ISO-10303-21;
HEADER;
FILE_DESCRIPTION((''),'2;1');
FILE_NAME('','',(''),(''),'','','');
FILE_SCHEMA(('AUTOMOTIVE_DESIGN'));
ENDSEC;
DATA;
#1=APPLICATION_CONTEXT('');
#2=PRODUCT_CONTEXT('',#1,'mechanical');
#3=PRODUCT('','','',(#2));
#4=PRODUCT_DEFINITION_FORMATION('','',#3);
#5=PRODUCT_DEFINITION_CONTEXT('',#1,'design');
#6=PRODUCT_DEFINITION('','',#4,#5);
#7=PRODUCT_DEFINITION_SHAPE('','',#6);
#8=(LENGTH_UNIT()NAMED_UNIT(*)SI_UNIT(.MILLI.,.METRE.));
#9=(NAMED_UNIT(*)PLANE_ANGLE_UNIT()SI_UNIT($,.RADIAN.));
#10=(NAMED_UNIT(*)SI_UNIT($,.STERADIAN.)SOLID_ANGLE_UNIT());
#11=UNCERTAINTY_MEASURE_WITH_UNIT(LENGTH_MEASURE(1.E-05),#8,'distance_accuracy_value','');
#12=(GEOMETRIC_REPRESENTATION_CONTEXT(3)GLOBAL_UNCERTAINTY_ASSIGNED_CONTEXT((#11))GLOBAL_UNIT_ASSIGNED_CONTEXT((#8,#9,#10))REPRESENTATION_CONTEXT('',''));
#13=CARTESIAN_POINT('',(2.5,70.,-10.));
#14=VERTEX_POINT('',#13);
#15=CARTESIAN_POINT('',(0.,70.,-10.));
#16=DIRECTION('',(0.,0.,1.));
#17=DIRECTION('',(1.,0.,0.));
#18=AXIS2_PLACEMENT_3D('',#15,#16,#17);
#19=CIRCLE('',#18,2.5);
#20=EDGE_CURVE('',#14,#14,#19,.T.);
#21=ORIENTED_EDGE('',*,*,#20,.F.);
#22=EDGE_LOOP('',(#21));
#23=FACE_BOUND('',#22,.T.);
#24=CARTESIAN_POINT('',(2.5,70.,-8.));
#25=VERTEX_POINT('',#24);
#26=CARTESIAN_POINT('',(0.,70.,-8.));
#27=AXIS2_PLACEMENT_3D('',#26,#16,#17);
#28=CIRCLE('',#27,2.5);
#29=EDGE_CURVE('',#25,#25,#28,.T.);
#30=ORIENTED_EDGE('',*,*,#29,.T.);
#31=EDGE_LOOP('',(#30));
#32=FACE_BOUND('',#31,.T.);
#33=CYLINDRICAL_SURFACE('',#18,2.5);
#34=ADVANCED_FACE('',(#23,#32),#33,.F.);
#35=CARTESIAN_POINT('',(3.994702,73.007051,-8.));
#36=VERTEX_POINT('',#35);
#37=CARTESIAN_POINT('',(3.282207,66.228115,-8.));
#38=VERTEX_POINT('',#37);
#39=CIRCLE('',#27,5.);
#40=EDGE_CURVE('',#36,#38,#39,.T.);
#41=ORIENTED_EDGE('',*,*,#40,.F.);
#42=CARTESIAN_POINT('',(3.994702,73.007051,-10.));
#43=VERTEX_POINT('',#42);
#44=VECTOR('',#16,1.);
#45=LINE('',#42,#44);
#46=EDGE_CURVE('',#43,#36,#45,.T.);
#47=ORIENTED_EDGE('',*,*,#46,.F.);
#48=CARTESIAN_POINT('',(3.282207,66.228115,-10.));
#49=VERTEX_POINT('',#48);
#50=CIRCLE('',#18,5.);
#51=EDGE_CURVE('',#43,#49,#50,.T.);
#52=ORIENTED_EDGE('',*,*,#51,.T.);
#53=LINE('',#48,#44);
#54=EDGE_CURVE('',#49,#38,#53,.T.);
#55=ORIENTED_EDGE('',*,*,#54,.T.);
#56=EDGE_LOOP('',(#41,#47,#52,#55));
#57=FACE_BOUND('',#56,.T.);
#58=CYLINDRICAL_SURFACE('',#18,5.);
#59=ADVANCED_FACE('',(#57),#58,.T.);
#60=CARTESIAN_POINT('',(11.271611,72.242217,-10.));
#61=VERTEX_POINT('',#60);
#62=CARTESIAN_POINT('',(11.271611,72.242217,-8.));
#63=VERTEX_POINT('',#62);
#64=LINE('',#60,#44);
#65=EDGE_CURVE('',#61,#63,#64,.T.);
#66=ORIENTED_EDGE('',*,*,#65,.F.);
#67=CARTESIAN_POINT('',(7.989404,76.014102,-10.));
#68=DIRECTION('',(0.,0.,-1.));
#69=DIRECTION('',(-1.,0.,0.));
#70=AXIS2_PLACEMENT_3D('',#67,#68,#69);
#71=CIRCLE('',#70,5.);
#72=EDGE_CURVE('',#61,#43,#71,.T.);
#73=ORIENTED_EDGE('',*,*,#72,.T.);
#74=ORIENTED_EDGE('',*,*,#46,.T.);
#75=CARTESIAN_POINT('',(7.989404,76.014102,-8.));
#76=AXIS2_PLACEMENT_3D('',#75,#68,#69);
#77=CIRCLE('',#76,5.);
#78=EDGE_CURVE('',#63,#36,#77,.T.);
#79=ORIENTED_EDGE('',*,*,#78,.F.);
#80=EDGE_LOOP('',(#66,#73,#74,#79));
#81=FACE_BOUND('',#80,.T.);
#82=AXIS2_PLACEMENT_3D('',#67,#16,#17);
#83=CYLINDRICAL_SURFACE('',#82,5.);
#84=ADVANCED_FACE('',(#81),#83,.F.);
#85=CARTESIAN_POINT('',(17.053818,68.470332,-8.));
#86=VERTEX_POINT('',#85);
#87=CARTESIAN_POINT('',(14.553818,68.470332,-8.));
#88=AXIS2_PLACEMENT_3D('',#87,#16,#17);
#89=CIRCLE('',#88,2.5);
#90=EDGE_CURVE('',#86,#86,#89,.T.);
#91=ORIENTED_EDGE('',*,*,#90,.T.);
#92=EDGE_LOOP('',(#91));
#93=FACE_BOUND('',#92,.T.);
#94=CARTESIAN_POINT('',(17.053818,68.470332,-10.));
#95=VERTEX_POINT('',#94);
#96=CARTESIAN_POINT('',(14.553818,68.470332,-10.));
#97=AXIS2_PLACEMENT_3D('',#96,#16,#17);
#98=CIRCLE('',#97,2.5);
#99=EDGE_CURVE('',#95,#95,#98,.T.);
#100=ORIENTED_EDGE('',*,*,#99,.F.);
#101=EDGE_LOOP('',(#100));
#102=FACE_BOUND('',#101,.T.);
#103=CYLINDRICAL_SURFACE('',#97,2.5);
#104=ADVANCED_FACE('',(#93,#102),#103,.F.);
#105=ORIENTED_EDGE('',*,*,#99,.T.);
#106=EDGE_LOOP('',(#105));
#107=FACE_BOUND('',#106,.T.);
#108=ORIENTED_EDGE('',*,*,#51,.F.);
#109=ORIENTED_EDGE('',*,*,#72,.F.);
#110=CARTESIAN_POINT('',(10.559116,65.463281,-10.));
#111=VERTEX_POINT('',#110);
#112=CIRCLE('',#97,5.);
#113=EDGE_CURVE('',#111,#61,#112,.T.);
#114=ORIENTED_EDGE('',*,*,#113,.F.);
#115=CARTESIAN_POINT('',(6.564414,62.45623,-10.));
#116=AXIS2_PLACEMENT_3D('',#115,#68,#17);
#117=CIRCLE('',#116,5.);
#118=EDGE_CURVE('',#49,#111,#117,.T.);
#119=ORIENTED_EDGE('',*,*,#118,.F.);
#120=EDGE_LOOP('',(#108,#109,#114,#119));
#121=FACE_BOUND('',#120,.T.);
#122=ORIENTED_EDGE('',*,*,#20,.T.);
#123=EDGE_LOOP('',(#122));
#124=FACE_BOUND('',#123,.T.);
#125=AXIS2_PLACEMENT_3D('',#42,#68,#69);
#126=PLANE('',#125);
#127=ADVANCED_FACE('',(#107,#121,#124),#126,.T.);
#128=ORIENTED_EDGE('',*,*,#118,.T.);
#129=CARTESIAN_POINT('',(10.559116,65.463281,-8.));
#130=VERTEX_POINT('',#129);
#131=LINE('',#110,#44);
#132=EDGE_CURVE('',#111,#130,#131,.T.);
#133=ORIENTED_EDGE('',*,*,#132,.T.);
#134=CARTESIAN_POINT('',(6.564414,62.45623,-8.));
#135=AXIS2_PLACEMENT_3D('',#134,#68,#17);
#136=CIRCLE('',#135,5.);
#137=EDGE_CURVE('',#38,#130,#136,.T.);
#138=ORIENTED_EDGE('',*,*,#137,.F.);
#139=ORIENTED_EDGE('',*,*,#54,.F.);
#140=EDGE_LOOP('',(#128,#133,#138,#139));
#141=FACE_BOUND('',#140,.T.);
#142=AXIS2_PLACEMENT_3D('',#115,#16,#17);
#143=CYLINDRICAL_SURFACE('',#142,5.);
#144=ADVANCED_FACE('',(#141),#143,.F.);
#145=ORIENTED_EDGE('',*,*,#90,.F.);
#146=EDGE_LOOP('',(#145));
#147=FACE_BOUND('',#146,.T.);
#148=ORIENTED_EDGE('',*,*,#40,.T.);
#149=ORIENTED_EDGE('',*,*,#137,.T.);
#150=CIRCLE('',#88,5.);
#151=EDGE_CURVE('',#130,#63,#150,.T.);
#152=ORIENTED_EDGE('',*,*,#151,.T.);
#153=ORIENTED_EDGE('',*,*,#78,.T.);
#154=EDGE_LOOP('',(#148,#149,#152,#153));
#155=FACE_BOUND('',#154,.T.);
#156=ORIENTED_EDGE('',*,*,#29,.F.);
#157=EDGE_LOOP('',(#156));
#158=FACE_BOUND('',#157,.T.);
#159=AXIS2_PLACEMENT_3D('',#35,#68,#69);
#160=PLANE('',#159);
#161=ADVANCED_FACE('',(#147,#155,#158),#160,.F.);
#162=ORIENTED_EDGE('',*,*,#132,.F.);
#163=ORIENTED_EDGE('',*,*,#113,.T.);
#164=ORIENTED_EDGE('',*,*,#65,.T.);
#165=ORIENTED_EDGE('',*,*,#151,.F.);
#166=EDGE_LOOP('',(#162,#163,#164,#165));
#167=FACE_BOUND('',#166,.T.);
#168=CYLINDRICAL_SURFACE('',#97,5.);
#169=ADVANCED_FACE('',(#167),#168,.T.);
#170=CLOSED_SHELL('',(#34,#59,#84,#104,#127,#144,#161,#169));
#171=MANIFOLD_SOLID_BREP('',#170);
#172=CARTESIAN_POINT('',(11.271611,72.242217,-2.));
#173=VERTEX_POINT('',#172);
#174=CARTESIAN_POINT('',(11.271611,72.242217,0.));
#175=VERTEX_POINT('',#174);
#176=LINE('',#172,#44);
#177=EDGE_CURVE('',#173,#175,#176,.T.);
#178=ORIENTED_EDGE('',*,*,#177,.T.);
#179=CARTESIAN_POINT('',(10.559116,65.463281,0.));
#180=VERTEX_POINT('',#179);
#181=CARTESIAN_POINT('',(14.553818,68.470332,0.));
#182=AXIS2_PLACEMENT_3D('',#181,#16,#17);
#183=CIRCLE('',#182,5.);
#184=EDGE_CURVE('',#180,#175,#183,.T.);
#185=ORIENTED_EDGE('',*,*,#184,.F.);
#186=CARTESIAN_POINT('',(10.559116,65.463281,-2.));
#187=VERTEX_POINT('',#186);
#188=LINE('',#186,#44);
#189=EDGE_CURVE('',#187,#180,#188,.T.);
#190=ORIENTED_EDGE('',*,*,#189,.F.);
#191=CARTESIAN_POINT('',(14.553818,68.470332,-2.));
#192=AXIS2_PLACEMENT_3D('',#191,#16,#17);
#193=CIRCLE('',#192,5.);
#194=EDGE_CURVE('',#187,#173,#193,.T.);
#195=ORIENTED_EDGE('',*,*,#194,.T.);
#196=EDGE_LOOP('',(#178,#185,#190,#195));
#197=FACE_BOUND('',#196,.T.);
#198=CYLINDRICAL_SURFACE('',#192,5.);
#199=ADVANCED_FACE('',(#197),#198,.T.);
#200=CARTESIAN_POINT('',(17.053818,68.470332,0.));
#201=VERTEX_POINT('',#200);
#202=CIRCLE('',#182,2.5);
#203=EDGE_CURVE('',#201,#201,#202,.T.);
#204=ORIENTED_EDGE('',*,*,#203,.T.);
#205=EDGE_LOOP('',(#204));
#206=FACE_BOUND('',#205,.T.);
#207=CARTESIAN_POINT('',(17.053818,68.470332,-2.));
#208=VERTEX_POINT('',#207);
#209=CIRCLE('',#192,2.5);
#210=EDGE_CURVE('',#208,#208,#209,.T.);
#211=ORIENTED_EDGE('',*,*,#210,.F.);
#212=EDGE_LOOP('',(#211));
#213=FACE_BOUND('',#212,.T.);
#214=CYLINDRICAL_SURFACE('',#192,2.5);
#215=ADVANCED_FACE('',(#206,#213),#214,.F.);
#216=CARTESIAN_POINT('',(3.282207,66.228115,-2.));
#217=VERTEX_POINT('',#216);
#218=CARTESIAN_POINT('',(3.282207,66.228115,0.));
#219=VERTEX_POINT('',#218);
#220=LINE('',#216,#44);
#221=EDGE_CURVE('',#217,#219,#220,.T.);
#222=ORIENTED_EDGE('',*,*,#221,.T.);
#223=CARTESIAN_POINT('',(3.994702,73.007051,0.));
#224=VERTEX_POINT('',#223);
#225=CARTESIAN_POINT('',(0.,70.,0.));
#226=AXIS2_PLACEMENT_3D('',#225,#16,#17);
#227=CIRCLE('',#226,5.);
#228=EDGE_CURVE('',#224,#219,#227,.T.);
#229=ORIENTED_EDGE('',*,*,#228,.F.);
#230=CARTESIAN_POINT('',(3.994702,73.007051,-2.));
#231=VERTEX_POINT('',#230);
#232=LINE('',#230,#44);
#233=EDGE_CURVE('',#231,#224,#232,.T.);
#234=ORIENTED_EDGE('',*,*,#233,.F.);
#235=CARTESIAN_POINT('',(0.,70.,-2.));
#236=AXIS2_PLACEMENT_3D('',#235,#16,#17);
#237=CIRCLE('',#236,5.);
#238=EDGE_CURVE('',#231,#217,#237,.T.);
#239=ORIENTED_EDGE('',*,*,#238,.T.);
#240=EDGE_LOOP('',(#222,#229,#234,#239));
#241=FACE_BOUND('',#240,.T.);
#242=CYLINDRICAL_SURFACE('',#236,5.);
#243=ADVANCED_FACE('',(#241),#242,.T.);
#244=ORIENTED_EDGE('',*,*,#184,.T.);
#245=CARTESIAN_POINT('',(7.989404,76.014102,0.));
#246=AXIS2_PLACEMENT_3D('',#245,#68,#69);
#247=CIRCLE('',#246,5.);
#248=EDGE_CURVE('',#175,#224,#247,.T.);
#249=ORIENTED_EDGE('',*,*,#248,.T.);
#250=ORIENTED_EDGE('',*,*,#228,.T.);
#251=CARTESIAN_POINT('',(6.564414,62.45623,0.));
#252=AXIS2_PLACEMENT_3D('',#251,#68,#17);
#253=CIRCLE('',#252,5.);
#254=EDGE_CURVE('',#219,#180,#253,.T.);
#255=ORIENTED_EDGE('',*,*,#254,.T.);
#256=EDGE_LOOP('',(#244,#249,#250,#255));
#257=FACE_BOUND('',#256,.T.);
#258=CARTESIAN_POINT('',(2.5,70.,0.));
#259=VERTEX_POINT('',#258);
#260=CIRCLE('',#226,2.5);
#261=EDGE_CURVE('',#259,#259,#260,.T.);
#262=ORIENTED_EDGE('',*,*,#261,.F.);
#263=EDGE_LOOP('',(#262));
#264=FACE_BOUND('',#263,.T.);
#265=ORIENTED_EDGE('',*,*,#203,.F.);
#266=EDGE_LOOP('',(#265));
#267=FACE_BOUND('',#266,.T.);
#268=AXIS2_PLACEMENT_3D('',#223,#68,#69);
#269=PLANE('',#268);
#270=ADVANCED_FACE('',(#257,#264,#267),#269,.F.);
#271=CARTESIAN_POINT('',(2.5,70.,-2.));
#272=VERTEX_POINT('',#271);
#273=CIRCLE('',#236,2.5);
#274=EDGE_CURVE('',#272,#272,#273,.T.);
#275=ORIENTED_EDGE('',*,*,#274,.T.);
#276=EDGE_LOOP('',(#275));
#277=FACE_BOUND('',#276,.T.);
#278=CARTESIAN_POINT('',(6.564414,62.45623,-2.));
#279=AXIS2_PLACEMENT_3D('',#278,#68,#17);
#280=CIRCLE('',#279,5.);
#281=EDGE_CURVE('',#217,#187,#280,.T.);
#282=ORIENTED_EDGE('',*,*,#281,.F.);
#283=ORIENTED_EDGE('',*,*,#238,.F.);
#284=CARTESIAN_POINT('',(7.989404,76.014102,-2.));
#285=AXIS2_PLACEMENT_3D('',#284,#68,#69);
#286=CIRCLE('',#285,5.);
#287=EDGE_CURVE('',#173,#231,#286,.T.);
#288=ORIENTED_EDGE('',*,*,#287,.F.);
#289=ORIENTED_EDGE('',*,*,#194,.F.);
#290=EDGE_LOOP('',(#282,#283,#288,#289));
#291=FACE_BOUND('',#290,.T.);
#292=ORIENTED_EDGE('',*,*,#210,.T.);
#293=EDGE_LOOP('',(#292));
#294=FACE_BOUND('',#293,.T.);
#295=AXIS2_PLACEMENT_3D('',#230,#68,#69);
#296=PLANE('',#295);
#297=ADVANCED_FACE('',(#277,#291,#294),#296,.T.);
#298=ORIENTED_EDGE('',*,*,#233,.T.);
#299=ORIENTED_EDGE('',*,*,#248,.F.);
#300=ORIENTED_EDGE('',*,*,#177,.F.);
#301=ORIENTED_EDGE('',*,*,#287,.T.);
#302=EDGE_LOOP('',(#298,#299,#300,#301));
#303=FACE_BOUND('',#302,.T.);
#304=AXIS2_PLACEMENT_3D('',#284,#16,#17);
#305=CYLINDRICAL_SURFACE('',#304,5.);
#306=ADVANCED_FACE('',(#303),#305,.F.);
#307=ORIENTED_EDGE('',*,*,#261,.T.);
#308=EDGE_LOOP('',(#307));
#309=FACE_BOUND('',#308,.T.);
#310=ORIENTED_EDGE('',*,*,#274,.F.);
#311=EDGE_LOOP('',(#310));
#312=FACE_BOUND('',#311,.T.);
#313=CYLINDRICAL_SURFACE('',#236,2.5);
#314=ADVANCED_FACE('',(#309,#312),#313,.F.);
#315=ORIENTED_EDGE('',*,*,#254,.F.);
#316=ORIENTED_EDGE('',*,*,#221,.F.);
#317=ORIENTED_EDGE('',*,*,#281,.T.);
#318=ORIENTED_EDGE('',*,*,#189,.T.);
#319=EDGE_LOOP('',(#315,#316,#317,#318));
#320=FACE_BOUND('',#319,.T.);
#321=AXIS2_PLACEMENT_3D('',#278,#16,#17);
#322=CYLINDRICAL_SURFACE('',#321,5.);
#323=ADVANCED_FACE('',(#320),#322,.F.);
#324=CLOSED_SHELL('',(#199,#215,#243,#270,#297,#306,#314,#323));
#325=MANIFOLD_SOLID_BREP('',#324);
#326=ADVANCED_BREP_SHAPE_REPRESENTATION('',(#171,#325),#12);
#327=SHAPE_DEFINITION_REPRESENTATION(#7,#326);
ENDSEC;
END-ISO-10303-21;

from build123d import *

# Parameters (mm, degrees)
IZIM2_R                     = 2.5
Y_KSEKLIK_EKSTR_ZYON1_DEPTH = 2
Y_KSEKLIK_EKSTR_ZYON2_START = -8
IZIM2_2_R                   = 2.5
Y_KSEKLIK_EKSTR_ZYON2_DEPTH = 2


with BuildPart() as part:
    # Çizim2 → Yükseklik-Ekstrüzyon1 (new body)
    with BuildSketch(Plane.XY):
        with BuildLine():
            ThreePointArc((10.559116328, 65.463281055), (7.087056614, 67.428839536), (3.282207149, 66.228115029))
            ThreePointArc((3.282207149, 66.228115029), (-4.972609477, 70.522642316), (3.99470203, 73.007050996))
            ThreePointArc((3.99470203, 73.007050996), (7.466761743, 71.041492516), (11.271611208, 72.242217022))
            ThreePointArc((11.271611208, 72.242217022), (19.526427834, 67.947689735), (10.559116328, 65.463281055))
        make_face()
        with Locations((0, 70)):
            Circle(IZIM2_R, mode=Mode.SUBTRACT)
        with Locations((14.553818357, 68.470332051)):
            Circle(IZIM2_R, mode=Mode.SUBTRACT)
    extrude(amount=-Y_KSEKLIK_EKSTR_ZYON1_DEPTH)


with BuildPart() as body_2:
    # Çizim2<2> → Yükseklik-Ekstrüzyon2 (new body)
    with BuildSketch(Plane.XY.offset(Y_KSEKLIK_EKSTR_ZYON2_START)):
        with BuildLine():
            ThreePointArc((10.559116328, 65.463281055), (7.087056614, 67.428839536), (3.282207149, 66.228115029))
            ThreePointArc((3.282207149, 66.228115029), (-4.972609477, 70.522642316), (3.99470203, 73.007050996))
            ThreePointArc((3.99470203, 73.007050996), (7.466761743, 71.041492516), (11.271611208, 72.242217022))
            ThreePointArc((11.271611208, 72.242217022), (19.526427834, 67.947689735), (10.559116328, 65.463281055))
        make_face()
        with Locations((0, 70)):
            Circle(IZIM2_2_R, mode=Mode.SUBTRACT)
        with Locations((14.553818357, 68.470332051)):
            Circle(IZIM2_2_R, mode=Mode.SUBTRACT)
    extrude(amount=-Y_KSEKLIK_EKSTR_ZYON2_DEPTH)


solid = Compound([part.part, body_2.part])
